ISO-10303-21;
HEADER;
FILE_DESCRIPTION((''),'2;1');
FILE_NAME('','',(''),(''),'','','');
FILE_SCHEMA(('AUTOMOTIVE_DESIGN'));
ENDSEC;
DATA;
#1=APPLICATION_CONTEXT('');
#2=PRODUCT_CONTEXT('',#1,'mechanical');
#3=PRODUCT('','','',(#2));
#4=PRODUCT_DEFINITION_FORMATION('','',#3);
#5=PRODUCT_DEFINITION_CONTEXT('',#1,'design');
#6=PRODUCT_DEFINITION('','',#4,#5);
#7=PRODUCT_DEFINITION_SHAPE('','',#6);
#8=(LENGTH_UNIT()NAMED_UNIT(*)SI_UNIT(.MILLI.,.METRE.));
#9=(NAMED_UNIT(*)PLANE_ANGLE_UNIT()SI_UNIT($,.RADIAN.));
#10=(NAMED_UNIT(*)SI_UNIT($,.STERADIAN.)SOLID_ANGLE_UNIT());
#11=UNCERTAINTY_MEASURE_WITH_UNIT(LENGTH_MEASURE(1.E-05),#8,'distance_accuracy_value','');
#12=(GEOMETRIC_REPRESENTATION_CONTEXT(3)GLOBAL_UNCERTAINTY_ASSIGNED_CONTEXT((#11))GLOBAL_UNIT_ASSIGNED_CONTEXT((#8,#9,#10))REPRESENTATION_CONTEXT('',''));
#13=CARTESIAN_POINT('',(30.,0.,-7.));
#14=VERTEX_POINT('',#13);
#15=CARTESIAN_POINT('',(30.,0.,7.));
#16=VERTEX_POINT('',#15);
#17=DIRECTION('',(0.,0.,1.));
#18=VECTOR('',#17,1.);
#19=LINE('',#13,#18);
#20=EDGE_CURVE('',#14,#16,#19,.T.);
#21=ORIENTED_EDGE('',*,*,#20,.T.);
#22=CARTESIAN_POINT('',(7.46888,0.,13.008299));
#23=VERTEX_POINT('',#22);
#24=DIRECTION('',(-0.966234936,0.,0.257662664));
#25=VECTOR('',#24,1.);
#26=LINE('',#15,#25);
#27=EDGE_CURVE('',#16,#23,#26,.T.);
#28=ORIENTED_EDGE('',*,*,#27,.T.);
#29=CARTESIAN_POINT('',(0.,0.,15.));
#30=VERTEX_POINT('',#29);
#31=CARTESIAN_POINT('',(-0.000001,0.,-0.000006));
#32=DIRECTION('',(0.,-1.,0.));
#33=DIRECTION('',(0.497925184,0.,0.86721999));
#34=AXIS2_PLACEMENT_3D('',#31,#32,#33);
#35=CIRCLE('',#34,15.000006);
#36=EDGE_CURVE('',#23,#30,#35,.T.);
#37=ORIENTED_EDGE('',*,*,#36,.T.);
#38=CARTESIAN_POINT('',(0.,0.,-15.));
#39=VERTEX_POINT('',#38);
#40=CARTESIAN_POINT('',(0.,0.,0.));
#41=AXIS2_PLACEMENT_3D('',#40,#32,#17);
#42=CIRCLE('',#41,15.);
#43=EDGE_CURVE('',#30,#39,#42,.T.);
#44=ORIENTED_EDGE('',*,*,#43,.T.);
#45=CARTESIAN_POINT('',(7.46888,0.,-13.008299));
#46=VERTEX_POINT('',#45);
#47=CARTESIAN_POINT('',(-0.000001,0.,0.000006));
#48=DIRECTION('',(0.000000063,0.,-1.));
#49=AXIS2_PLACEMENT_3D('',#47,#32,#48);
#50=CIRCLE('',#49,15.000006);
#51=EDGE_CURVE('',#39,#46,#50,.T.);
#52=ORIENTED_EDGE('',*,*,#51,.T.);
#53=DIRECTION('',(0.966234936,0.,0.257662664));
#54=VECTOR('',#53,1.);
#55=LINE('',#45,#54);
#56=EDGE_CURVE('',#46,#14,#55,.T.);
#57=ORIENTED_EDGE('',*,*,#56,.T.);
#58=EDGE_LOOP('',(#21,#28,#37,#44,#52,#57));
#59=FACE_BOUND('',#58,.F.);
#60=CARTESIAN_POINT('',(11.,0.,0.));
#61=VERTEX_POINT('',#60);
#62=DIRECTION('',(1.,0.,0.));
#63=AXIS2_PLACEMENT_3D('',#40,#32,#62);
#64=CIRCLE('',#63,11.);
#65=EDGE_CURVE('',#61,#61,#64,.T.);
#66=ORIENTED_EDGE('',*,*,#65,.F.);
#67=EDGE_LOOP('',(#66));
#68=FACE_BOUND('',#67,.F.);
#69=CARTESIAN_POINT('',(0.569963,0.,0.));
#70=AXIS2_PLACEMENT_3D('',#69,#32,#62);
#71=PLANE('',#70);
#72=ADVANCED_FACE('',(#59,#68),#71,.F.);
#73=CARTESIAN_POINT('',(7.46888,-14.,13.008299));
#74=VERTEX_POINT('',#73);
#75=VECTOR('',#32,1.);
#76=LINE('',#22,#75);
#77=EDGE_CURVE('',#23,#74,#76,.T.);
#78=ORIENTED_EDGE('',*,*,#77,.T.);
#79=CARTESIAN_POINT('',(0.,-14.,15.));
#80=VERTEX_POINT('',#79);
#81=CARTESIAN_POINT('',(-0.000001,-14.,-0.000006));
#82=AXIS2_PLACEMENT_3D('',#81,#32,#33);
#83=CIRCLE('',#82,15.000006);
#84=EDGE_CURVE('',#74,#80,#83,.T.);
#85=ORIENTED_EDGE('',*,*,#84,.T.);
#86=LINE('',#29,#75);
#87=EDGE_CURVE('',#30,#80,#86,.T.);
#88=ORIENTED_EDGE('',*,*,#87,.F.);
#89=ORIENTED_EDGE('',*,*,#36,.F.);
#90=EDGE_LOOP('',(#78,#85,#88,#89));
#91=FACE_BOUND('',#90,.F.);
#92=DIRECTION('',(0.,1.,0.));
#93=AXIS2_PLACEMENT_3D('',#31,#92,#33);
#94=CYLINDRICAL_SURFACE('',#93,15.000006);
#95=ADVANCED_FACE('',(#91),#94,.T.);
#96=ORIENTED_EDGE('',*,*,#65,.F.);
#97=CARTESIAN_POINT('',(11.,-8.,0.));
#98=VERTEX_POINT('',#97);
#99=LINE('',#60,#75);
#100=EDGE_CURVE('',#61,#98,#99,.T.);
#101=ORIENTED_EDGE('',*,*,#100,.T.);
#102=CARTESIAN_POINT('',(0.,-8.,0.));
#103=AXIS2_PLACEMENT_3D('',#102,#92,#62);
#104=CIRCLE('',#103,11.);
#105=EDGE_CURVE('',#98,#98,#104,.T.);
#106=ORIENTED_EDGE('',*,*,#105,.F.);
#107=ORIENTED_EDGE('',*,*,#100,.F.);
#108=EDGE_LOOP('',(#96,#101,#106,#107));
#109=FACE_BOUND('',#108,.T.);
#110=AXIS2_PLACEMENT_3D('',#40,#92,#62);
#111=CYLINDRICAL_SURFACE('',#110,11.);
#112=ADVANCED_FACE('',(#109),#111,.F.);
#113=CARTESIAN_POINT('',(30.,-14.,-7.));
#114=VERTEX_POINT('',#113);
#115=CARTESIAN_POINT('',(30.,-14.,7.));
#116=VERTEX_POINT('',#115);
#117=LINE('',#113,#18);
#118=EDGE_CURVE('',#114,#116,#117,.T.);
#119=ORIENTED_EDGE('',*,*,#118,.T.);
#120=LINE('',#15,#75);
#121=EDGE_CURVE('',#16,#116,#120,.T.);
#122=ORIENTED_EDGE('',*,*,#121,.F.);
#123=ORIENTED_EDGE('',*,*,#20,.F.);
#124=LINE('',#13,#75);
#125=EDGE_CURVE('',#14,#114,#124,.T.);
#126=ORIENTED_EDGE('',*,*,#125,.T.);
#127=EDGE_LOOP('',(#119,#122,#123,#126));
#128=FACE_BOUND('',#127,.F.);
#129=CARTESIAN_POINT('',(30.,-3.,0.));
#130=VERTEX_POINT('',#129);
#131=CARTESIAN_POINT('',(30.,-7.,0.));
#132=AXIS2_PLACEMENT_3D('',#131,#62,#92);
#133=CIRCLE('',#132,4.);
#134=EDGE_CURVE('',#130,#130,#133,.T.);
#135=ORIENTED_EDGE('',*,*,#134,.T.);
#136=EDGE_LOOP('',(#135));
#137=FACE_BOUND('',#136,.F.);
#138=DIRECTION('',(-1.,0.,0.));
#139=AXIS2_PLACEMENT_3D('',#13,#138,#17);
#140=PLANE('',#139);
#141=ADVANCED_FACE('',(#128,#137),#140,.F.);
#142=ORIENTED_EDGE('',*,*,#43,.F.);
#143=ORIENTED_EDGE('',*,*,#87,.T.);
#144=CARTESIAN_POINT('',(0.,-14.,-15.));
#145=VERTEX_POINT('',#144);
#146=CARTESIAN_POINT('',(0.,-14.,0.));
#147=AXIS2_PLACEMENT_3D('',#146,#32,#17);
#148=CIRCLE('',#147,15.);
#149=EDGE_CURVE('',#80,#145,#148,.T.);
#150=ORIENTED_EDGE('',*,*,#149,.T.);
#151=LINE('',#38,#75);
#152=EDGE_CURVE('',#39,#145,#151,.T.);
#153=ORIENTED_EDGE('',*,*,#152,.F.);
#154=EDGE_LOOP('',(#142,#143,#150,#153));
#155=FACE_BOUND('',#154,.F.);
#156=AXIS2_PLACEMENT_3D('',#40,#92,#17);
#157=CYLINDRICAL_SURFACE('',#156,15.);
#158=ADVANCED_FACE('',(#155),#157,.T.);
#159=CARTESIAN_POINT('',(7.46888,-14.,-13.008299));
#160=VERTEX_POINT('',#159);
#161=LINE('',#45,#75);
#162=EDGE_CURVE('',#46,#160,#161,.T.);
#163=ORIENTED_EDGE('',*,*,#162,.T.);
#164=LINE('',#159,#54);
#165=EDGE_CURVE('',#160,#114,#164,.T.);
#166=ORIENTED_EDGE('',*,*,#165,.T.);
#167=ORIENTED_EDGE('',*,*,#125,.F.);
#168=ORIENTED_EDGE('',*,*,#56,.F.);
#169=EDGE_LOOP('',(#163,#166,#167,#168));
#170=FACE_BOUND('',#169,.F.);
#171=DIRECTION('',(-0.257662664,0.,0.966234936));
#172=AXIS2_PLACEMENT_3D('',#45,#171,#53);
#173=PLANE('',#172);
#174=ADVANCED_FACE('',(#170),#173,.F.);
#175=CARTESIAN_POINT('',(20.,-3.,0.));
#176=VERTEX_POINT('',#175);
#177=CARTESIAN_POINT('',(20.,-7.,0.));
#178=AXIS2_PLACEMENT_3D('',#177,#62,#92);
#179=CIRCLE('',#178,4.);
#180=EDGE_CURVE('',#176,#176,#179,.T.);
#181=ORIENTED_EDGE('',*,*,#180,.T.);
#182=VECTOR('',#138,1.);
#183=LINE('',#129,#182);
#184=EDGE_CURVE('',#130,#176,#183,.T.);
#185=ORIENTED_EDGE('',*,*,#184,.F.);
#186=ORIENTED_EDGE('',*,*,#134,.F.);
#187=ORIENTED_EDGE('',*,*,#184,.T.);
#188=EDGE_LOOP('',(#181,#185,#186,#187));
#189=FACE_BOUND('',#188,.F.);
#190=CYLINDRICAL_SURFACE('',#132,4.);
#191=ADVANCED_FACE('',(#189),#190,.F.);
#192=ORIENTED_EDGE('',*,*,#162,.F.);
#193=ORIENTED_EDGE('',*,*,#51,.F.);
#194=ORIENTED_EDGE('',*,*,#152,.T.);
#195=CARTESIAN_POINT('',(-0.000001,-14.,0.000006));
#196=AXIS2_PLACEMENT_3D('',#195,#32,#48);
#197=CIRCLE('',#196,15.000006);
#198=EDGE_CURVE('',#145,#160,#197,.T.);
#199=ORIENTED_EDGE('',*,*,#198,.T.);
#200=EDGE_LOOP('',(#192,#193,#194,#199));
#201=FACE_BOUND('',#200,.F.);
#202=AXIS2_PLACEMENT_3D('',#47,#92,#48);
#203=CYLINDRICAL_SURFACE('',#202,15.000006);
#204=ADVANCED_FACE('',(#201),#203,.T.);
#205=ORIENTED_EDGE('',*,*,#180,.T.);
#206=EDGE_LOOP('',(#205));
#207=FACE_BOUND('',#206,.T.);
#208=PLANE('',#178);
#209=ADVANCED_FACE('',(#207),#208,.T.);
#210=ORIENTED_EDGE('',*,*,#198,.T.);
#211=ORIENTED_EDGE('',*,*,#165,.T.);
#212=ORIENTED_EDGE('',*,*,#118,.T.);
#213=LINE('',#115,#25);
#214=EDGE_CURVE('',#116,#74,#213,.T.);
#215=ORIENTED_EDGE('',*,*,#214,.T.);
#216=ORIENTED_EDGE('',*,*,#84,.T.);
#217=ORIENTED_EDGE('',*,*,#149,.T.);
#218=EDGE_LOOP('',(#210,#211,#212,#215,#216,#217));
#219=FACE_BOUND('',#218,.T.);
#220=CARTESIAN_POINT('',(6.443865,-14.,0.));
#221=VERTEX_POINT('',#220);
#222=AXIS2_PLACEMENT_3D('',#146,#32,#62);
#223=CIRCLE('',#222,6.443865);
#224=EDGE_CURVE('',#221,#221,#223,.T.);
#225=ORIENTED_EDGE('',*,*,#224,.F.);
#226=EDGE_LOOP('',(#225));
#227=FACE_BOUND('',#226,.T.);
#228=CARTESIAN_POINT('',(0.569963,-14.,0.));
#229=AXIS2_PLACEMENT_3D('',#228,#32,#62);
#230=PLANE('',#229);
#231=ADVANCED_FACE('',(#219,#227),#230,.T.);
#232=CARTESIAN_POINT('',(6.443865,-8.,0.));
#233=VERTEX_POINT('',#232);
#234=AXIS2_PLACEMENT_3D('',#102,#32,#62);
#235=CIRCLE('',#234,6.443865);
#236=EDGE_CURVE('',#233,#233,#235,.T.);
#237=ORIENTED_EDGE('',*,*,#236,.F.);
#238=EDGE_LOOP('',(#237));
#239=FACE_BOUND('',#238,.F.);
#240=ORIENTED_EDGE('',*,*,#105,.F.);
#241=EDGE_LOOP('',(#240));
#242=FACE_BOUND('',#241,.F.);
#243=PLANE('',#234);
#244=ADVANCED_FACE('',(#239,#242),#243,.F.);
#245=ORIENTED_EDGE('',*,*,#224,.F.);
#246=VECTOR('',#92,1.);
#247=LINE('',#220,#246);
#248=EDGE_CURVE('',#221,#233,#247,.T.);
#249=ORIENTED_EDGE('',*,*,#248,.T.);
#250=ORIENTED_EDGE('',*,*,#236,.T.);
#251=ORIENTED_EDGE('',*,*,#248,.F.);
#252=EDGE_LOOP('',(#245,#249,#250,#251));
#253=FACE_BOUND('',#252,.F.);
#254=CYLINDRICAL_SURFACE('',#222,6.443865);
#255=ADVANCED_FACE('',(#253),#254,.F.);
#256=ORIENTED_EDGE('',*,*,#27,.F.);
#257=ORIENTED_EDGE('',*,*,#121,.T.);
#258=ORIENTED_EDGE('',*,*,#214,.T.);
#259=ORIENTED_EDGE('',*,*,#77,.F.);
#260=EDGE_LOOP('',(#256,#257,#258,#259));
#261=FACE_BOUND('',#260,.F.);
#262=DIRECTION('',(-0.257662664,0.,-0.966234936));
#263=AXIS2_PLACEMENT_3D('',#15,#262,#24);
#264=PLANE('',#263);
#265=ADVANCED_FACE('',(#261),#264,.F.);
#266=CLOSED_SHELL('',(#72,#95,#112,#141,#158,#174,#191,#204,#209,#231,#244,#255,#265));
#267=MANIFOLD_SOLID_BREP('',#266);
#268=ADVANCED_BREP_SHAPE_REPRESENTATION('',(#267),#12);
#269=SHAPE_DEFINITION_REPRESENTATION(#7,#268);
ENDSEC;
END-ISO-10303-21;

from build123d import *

# Parameters (mm, degrees)
F0_R     = 11
F1_DEPTH = 14
F2_R     = 4
F3_DEPTH = 10
F4_R     = 11.274744
F4_R_2   = 6.443865
F5_DEPTH = 6


with BuildPart() as f1:
    # F0 (on Front) → F1 (new body)
    with BuildSketch(Plane.XZ):
        with BuildLine():
            Line((7.46888, 13.008299), (0, 15))
            ThreePointArc((0, 15), (-15, 0), (0, -15))
            Line((0, -15), (7.46888, -13.008299))
            ThreePointArc((7.46888, -13.008299), (12.981394, -7.515544), (15, 0))
            ThreePointArc((15, 0), (12.981394, 7.515544), (7.46888, 13.008299))
        make_face()
        Circle(F0_R, mode=Mode.SUBTRACT)
        with BuildLine():
            ThreePointArc((7.46888, 13.008299), (3.86494, 14.493524), (0, 15))
            Line((0, 15), (7.46888, 13.008299))
        make_face()
        with BuildLine():
            Line((7.46888, -13.008299), (0, -15))
            ThreePointArc((0, -15), (3.86494, -14.493524), (7.46888, -13.008299))
        make_face()
        with BuildLine():
            Line((30, 7), (7.46888, 13.008299))
            ThreePointArc((7.46888, 13.008299), (12.981394, 7.515544), (15, 0))
            ThreePointArc((15, 0), (12.981394, -7.515544), (7.46888, -13.008299))
            Line((7.46888, -13.008299), (30, -7))
            Line((30, -7), (30, 0))
            Line((30, 0), (30, 7))
        make_face()
    extrude(amount=F1_DEPTH)

    # F2 (on face) → F3 (cut)
    with BuildSketch(Plane.YZ.offset(30)):
        with Locations((-7, 0)):
            Circle(F2_R)
    extrude(amount=-F3_DEPTH, mode=Mode.SUBTRACT)

    # F4 (on face) → F5 (join)
    with BuildSketch(Plane.XZ.offset(14)):
        Circle(F4_R)
        Circle(F4_R_2, mode=Mode.SUBTRACT)
    extrude(amount=-F5_DEPTH)


solid = f1.part
